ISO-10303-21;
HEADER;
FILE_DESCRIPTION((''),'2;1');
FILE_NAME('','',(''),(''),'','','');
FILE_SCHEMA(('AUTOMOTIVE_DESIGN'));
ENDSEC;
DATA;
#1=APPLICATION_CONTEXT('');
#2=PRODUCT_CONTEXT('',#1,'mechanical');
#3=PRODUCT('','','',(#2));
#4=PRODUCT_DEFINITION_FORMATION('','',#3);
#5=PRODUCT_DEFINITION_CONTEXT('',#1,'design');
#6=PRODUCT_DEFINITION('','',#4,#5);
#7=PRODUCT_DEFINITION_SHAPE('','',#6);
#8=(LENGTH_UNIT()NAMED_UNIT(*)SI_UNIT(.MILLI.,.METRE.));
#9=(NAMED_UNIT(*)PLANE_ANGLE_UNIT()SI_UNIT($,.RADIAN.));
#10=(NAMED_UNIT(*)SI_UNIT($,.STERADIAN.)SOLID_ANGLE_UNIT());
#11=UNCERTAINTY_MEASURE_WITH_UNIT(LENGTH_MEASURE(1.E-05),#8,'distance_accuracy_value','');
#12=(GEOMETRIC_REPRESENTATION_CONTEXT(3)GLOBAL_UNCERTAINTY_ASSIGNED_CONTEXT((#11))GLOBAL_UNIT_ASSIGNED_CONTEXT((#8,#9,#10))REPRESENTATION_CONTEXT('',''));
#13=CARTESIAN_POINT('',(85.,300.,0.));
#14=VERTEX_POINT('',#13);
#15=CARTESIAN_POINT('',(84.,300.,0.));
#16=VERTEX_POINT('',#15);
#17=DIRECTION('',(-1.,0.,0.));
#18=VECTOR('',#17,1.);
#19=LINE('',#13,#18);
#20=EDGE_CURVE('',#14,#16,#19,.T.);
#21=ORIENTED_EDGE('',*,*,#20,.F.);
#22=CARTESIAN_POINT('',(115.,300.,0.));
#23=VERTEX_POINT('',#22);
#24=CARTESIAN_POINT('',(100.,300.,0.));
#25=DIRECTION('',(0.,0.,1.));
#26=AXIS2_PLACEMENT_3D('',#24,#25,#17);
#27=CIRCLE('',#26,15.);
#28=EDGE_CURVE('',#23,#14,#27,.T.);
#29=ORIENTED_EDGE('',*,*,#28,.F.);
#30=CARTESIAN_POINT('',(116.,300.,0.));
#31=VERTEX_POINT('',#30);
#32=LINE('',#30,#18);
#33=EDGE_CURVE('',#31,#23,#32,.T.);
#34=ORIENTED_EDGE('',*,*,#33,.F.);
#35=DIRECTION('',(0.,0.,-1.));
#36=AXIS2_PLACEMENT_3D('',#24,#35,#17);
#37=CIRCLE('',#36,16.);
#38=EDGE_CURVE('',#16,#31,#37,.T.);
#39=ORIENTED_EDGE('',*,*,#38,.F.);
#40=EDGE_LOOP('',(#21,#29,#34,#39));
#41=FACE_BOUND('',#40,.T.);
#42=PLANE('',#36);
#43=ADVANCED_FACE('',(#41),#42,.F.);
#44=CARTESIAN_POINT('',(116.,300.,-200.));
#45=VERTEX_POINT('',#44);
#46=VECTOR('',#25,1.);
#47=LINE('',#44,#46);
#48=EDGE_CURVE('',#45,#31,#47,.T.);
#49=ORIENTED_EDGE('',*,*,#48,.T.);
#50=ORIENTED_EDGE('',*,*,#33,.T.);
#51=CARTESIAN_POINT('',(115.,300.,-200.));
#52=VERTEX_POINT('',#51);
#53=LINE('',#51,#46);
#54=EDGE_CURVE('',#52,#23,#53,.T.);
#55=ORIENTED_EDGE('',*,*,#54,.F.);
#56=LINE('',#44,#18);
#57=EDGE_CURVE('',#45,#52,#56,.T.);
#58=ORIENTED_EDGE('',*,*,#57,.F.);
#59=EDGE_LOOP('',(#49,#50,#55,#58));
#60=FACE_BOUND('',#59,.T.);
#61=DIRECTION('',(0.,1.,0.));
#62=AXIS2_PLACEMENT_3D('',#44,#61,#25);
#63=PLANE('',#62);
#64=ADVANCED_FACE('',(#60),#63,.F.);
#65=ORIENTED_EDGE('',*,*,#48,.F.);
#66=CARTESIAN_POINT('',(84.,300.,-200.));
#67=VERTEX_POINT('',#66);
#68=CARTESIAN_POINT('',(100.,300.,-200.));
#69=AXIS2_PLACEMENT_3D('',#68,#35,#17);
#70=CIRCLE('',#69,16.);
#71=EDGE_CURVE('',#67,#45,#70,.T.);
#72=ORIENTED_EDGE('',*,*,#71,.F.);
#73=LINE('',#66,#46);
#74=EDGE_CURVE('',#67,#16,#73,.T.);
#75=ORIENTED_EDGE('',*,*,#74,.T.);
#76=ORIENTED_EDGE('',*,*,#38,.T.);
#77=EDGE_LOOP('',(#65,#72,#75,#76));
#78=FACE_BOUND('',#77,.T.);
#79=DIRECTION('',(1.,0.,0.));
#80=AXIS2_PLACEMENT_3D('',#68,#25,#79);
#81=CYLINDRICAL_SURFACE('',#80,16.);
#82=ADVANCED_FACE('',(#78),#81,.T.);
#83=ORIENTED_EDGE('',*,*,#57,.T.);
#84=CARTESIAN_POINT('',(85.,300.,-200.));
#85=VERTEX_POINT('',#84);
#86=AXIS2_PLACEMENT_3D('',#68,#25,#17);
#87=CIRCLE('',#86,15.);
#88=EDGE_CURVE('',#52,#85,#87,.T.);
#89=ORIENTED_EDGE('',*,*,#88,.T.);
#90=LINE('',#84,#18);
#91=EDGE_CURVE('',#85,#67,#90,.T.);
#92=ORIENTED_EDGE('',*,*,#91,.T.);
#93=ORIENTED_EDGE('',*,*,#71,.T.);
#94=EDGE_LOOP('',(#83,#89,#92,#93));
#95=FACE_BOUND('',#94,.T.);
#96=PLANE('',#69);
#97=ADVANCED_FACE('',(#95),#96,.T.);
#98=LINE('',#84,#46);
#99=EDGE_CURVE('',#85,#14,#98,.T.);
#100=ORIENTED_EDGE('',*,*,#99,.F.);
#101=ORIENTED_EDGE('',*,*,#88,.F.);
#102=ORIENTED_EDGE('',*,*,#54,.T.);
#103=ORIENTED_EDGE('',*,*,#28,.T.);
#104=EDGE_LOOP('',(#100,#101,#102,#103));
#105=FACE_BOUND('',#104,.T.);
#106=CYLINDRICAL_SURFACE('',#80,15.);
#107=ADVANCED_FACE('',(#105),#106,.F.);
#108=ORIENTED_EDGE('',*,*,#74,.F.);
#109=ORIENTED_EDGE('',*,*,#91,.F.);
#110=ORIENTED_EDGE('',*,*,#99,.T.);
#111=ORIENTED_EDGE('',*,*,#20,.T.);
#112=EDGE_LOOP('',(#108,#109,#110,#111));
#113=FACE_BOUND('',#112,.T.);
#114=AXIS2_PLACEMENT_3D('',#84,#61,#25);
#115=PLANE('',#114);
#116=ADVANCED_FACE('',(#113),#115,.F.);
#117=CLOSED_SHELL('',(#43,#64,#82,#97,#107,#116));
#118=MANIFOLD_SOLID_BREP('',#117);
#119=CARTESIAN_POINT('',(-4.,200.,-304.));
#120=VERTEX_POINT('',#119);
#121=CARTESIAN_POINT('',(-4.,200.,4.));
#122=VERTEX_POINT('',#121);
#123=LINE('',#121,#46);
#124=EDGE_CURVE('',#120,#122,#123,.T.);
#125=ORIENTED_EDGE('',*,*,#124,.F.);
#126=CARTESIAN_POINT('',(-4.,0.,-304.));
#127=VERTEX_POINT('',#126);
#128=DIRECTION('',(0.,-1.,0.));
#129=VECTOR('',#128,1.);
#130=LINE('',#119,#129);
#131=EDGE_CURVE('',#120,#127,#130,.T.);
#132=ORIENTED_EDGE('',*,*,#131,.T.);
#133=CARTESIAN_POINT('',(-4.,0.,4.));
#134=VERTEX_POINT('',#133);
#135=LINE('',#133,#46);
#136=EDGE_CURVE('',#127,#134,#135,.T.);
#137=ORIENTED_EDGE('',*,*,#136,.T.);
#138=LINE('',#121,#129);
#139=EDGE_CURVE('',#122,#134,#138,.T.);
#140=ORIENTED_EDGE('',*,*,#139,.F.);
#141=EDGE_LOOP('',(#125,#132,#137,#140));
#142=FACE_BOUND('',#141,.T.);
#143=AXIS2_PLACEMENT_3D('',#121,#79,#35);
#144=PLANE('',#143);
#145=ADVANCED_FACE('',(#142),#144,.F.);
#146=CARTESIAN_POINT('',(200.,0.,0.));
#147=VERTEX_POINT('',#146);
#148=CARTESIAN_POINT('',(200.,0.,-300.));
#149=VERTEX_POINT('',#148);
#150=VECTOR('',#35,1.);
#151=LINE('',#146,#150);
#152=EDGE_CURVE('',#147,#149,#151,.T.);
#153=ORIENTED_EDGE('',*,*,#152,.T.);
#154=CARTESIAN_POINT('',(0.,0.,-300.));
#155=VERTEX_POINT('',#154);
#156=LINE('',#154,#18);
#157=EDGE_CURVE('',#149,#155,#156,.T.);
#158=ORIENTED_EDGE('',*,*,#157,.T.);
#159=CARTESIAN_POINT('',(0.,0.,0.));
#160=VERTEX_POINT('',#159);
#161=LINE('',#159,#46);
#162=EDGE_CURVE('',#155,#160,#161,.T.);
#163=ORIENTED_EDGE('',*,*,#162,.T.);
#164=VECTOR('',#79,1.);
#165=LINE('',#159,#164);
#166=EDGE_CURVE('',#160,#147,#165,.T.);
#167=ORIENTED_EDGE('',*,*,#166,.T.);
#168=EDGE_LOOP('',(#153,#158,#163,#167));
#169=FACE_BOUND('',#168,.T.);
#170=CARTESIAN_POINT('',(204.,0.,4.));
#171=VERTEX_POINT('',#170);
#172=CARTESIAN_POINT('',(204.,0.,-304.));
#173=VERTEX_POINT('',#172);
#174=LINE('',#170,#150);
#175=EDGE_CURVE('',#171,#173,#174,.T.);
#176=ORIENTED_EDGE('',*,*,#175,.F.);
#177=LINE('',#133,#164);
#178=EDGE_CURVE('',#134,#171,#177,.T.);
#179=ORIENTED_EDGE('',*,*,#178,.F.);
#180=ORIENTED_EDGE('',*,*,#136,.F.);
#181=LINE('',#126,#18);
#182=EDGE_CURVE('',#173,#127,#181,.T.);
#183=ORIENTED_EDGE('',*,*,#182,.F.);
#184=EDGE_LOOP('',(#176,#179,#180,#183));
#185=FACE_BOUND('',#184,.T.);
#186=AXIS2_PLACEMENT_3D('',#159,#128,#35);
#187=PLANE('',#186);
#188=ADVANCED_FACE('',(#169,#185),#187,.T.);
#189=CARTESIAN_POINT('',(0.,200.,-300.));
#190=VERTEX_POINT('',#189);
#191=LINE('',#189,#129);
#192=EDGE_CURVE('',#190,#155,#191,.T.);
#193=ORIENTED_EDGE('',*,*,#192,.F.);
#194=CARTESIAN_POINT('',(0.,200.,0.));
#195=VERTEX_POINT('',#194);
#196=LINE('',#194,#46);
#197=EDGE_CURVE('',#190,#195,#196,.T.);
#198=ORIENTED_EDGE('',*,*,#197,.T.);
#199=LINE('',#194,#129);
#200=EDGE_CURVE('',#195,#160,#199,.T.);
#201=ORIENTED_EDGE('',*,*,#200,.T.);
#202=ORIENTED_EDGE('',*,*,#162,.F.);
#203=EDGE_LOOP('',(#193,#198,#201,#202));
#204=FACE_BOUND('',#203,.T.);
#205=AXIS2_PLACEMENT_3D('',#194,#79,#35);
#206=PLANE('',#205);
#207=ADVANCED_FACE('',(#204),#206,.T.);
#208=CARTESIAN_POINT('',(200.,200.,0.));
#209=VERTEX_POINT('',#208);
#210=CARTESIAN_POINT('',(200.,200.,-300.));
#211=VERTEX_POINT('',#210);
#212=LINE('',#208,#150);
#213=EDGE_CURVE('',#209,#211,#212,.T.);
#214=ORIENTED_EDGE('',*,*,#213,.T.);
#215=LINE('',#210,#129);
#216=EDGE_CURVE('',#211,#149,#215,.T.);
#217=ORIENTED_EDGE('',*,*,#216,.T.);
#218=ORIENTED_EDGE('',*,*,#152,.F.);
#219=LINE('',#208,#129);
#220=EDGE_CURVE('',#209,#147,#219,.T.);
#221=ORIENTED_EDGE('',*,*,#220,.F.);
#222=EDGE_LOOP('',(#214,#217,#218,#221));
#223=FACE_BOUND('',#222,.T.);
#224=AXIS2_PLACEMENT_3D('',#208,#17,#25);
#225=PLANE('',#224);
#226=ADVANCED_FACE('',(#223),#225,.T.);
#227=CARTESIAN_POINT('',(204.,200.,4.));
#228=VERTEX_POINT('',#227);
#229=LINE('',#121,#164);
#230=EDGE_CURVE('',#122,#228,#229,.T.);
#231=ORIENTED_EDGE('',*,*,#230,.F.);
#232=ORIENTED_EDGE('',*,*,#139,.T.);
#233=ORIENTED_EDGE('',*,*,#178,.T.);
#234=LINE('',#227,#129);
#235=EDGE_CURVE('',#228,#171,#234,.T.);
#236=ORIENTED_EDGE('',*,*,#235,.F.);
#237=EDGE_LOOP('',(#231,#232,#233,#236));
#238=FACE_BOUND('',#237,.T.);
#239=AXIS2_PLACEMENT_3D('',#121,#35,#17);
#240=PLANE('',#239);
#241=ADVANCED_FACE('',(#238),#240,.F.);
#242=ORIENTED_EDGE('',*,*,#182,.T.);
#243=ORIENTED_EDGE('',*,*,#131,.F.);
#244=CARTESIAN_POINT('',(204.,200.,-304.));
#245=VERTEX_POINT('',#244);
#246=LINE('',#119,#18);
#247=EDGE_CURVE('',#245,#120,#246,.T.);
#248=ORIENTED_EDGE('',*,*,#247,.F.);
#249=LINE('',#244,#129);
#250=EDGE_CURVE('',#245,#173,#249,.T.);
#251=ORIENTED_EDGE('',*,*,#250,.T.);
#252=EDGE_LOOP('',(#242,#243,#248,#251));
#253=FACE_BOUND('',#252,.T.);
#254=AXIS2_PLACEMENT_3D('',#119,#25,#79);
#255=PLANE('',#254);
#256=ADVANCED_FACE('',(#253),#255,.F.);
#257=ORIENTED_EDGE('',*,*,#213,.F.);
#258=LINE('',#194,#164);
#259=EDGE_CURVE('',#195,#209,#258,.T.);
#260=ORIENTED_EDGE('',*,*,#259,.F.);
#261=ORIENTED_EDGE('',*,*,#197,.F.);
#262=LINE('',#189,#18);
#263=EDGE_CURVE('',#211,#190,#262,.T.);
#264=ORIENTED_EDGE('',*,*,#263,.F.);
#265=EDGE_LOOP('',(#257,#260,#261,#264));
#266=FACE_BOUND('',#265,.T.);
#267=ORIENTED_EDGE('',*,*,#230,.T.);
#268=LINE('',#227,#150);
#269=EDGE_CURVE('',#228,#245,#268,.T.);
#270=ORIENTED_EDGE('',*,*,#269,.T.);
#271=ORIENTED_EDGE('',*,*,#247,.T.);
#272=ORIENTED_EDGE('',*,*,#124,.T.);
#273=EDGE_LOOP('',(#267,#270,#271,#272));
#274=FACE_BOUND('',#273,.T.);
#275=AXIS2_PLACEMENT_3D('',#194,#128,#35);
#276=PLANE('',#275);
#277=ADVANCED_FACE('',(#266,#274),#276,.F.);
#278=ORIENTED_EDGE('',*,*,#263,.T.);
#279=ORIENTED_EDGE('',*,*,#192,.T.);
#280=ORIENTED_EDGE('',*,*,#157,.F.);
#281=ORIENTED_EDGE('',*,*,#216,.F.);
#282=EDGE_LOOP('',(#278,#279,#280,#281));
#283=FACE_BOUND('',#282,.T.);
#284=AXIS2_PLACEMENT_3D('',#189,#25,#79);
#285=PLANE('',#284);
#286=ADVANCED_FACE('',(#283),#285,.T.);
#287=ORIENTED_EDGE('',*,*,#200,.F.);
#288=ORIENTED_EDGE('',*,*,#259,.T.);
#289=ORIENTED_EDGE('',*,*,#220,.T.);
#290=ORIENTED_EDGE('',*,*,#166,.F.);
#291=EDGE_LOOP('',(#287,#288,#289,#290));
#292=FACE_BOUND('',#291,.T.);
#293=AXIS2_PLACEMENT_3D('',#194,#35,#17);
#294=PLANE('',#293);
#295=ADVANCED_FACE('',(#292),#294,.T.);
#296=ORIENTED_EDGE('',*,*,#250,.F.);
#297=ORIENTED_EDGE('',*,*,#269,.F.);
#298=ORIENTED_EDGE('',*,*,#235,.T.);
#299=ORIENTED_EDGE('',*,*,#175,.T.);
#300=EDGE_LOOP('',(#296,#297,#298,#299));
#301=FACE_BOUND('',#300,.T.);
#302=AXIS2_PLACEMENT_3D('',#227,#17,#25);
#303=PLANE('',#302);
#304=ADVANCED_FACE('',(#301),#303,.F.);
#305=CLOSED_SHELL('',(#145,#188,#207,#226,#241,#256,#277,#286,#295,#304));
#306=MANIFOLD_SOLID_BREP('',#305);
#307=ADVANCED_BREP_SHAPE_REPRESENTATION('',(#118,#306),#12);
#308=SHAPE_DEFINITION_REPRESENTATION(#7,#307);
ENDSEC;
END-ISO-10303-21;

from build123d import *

# Parameters (mm, degrees)
SKETCH1_W           = 208
SKETCH1_H           = 308
SKETCH1_W_2         = 200
SKETCH1_H_2         = 300
BOSS_EXTRUDE1_DEPTH = 200
BOSS_EXTRUDE2_START = -304
BOSS_EXTRUDE2_DEPTH = 200


with BuildPart() as part:
    # Sketch1 → Boss-Extrude1 (new body)
    with BuildSketch(Plane(origin=(0, 0, 0), x_dir=(1, 0, 0), z_dir=(0, 1, 0))):
        with Locations((100, 150)):
            Rectangle(SKETCH1_W, SKETCH1_H)
        with Locations((100, 150)):
            Rectangle(SKETCH1_W_2, SKETCH1_H_2, mode=Mode.SUBTRACT)
    extrude(amount=BOSS_EXTRUDE1_DEPTH)


with BuildPart() as body_2:
    # Sketch4 → Boss-Extrude2 (new body)
    with BuildSketch(Plane(origin=(0, 0, -304), x_dir=(-1, 0, 0), z_dir=(0, 0, -1)).offset(BOSS_EXTRUDE2_START)):
        with BuildLine():
            Line((-116, 300), (-115, 300))
            ThreePointArc((-115, 300), (-100, 315), (-85, 300))
            Line((-85, 300), (-84, 300))
            ThreePointArc((-84, 300), (-100, 316), (-116, 300))
        make_face()
    extrude(amount=BOSS_EXTRUDE2_DEPTH)


solid = Compound([part.part, body_2.part])
